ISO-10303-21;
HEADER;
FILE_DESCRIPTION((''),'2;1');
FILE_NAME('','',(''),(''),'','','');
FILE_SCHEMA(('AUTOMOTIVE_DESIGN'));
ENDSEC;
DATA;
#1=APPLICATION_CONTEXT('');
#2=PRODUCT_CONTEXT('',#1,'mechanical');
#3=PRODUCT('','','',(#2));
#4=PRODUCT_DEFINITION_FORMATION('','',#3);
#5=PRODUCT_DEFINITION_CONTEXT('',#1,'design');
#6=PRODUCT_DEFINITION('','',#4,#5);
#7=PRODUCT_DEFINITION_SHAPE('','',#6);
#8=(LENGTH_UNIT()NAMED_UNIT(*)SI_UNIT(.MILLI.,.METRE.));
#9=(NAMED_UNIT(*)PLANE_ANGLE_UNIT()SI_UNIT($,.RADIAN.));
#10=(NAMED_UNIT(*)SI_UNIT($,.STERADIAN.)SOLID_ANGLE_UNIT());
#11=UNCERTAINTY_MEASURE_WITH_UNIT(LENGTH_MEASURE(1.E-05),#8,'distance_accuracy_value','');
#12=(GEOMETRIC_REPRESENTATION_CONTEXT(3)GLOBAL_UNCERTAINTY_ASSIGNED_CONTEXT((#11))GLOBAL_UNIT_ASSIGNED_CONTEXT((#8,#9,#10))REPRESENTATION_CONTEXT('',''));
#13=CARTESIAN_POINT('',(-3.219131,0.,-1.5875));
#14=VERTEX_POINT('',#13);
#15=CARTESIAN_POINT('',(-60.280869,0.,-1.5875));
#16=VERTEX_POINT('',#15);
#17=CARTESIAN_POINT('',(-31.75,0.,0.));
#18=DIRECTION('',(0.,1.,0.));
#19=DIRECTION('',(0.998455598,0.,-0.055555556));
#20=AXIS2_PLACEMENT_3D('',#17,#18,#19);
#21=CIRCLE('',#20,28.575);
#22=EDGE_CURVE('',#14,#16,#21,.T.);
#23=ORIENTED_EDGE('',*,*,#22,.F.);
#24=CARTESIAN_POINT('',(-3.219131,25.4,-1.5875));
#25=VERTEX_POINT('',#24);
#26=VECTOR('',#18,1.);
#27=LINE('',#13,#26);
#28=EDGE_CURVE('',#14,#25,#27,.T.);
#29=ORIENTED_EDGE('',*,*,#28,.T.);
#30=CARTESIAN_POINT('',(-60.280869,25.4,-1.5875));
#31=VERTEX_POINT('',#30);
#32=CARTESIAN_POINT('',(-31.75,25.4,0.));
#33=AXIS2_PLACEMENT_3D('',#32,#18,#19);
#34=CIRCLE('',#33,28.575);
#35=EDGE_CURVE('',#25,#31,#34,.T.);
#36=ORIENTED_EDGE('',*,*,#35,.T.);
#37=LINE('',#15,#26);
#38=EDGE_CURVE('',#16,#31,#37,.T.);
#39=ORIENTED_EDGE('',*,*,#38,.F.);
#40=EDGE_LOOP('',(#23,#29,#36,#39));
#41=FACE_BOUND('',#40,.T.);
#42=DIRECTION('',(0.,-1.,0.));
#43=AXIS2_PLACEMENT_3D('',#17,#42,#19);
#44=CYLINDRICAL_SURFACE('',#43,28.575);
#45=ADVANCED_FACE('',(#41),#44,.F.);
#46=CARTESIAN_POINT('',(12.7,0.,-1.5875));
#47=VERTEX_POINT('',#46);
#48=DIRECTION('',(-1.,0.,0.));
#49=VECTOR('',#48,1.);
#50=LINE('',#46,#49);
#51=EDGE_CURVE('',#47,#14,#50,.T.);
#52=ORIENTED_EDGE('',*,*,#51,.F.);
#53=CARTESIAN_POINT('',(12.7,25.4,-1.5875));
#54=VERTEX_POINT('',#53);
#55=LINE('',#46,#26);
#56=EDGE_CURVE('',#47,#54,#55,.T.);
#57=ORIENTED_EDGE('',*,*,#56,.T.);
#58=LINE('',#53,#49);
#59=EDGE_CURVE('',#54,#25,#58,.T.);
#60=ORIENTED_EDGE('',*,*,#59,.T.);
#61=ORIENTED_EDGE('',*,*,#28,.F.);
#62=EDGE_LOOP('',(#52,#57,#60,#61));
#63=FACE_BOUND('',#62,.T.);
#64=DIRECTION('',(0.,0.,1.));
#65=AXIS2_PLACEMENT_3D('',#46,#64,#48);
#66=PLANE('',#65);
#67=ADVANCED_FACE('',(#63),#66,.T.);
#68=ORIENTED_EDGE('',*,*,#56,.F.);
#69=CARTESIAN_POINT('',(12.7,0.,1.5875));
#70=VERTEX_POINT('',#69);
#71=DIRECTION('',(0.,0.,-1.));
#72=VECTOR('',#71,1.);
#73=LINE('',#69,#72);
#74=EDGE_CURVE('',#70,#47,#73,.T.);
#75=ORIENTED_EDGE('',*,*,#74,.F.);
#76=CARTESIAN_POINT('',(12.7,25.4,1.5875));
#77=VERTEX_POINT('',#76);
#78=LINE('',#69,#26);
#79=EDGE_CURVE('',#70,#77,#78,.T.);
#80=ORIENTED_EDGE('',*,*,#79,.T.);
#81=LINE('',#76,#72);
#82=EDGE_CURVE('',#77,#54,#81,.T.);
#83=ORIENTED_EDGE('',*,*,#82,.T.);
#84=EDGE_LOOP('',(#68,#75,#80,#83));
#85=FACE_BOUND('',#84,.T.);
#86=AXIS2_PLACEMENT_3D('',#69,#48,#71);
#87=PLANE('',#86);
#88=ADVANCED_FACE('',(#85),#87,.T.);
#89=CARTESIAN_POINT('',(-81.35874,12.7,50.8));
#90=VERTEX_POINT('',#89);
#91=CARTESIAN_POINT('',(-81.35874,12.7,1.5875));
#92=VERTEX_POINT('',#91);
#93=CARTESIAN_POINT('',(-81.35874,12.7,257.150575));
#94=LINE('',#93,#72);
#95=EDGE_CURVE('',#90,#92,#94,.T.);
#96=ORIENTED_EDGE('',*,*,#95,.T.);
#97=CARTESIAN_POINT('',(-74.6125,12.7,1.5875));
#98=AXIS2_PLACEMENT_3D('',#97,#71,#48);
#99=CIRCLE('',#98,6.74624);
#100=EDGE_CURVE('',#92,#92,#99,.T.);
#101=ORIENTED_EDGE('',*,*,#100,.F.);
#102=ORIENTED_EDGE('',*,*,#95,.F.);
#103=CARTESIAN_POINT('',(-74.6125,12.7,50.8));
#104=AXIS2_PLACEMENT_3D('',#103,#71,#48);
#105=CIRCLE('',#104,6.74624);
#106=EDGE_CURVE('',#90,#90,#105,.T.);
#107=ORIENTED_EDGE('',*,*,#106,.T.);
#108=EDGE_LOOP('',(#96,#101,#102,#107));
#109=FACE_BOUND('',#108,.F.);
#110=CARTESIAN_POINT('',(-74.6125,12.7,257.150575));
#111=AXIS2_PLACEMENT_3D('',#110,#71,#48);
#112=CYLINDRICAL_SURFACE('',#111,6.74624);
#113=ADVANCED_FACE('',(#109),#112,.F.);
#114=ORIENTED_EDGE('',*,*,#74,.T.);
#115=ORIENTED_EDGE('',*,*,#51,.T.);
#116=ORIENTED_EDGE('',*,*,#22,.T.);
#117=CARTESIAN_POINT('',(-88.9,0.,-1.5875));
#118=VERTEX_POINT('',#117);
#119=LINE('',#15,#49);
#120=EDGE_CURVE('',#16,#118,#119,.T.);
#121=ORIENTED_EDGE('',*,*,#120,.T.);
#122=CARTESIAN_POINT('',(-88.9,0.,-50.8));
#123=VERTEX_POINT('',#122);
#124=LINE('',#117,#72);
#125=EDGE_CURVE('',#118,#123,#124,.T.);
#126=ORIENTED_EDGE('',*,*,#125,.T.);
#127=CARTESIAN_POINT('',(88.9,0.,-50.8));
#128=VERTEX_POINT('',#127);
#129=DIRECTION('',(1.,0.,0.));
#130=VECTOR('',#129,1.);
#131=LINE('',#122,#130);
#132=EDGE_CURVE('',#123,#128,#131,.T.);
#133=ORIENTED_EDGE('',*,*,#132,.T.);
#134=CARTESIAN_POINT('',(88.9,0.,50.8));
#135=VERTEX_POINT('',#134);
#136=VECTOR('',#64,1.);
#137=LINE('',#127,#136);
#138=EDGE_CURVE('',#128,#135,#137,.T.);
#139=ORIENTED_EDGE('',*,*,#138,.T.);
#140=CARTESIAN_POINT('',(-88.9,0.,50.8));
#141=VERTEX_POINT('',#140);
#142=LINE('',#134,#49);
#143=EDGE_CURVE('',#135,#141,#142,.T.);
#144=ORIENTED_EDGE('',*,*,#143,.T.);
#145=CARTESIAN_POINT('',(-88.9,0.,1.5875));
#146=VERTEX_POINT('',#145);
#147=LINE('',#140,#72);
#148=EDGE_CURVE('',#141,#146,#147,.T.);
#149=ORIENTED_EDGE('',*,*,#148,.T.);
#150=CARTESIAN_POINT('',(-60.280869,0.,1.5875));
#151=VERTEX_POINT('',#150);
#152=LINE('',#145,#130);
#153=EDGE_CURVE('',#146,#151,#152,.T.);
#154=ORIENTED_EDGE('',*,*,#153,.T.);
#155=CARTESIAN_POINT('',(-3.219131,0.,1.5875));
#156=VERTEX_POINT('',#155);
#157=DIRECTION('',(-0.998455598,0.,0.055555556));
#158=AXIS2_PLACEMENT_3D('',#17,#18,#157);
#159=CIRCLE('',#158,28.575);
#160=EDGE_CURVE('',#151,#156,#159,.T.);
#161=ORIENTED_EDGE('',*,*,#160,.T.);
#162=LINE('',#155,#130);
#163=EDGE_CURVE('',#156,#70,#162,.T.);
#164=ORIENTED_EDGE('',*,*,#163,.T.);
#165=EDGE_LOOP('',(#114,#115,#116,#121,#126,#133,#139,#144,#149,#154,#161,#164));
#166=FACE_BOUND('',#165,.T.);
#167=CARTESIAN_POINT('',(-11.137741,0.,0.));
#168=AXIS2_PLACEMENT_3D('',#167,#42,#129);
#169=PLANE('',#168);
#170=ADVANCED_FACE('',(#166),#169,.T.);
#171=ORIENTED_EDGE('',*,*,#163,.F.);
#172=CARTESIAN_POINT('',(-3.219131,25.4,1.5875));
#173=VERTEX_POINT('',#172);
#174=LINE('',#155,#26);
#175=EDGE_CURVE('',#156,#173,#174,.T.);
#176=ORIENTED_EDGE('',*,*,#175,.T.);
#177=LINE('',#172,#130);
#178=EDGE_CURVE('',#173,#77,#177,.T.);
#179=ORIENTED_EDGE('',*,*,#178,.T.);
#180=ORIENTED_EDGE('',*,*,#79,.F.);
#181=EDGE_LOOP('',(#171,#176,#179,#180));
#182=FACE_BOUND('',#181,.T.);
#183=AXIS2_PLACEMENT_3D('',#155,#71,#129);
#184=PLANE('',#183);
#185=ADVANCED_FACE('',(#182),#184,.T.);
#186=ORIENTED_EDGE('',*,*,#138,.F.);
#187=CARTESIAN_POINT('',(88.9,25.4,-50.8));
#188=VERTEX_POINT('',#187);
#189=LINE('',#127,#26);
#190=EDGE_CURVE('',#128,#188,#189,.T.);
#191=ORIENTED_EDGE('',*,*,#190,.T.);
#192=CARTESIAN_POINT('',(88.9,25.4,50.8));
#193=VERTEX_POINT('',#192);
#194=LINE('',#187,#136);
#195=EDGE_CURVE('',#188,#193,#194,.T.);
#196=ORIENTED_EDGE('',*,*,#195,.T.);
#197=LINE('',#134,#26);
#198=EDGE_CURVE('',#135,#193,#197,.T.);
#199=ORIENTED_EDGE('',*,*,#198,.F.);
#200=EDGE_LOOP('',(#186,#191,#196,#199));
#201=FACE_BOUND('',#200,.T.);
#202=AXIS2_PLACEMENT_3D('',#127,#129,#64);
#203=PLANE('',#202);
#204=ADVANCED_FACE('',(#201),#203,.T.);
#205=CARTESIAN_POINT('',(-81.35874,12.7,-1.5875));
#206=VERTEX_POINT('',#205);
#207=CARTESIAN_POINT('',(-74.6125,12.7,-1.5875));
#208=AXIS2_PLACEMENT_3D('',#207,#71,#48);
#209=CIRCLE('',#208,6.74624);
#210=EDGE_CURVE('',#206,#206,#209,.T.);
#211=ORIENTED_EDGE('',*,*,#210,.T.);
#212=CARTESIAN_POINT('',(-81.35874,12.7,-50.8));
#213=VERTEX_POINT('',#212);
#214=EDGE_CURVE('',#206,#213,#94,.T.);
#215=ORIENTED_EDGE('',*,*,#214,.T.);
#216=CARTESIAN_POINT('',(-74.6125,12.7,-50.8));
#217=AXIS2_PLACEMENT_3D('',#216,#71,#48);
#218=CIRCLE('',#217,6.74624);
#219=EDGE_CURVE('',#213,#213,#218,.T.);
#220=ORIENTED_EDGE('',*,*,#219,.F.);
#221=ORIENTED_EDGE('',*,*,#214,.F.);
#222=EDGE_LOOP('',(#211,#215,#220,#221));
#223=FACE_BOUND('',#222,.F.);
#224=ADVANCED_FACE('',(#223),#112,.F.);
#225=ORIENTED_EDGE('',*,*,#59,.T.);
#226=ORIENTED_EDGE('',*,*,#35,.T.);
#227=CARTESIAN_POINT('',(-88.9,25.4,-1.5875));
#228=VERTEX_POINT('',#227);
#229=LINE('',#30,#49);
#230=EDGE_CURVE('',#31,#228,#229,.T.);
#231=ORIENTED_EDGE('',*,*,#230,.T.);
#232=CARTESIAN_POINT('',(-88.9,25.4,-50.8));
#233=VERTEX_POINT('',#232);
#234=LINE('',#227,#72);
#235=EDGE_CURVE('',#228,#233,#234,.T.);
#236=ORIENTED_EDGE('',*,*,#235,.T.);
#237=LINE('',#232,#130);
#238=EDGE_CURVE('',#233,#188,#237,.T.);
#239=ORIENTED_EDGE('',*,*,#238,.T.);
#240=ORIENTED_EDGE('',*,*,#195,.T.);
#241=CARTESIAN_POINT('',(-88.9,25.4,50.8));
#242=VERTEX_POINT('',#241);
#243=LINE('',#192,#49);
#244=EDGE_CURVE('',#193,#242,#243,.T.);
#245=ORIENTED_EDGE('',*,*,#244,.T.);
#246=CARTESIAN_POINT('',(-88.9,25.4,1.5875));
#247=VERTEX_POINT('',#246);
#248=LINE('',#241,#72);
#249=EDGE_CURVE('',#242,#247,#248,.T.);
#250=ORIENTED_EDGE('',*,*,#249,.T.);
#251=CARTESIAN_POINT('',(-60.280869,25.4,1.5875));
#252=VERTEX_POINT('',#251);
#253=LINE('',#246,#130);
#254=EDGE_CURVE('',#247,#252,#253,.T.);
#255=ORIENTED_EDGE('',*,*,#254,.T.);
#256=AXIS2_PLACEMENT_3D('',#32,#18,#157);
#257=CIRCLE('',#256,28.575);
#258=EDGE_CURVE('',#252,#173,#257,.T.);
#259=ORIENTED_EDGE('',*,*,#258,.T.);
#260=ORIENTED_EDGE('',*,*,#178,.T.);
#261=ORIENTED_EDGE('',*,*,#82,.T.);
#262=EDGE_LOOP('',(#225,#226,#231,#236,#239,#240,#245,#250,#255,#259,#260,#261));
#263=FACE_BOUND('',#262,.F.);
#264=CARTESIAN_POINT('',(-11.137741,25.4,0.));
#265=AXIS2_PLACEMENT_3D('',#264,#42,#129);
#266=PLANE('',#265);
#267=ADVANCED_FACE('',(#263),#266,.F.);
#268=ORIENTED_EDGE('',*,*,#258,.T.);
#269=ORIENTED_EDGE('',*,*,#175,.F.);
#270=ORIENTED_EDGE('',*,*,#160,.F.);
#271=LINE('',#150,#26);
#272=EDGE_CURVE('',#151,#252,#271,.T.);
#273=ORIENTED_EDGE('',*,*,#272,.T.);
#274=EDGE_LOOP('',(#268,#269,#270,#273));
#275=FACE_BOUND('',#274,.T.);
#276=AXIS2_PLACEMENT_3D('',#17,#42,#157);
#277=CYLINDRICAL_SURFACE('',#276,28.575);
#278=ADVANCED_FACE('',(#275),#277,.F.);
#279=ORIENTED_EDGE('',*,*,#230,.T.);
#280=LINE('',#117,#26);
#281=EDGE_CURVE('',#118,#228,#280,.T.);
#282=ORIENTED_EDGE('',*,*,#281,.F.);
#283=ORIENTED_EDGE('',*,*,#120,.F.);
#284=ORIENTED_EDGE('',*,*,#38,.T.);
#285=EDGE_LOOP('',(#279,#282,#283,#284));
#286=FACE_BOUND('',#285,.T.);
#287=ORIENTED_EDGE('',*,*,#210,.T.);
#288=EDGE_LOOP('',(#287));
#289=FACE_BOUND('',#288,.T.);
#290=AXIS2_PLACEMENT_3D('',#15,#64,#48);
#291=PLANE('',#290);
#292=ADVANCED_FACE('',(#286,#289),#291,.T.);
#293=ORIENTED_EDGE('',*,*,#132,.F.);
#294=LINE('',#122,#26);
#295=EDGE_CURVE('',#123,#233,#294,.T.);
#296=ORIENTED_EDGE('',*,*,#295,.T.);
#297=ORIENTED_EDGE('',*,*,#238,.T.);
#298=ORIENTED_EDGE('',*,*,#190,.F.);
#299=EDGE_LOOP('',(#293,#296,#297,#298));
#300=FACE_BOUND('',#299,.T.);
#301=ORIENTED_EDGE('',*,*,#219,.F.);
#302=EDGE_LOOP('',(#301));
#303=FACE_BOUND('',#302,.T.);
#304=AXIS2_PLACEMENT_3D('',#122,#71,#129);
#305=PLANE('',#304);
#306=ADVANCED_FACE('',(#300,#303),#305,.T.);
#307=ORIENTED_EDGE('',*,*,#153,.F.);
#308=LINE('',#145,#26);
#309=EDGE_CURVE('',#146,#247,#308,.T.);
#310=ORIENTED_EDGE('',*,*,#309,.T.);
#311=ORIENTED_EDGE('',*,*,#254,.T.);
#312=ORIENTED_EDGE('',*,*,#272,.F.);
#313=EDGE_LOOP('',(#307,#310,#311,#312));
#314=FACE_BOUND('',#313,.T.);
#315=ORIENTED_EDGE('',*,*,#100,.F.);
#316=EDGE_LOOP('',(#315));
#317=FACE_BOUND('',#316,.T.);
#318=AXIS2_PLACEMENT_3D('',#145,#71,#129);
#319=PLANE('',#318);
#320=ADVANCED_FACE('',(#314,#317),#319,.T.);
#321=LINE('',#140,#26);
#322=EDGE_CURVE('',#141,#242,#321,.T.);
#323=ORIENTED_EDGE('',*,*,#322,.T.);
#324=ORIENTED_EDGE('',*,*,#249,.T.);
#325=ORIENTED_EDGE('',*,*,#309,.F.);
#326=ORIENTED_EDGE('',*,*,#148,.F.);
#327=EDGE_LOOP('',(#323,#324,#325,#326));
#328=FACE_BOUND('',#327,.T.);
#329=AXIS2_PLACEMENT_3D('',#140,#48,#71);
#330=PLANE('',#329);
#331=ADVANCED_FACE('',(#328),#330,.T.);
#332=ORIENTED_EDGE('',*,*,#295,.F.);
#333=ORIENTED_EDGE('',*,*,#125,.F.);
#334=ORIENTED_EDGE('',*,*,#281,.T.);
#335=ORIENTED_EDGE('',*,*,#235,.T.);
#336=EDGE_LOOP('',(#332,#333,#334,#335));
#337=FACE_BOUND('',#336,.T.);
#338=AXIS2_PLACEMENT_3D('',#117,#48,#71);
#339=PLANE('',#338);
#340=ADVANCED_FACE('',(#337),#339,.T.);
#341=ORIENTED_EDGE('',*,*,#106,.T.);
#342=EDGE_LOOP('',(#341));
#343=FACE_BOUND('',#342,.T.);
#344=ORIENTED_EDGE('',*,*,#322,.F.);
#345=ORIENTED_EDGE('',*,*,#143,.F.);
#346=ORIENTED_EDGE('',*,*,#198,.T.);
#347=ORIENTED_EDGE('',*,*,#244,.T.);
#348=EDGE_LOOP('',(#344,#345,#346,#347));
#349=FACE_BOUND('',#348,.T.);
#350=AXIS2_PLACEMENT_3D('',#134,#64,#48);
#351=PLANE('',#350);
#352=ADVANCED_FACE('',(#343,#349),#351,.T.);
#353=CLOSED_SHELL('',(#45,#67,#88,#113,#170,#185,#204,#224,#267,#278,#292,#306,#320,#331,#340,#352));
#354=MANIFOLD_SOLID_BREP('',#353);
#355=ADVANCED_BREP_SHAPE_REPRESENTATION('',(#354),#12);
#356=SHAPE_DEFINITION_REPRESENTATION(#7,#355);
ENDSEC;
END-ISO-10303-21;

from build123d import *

# Parameters (mm, degrees)
F1_DEPTH = 25.4
F3_D     = 13.49248


with BuildPart() as f1:
    # F0 (on Front) → F1 (new body)
    with BuildSketch(Plane.XZ):
        with BuildLine():
            Line((-88.9, -1.5875), (-88.9, -50.8))
            Line((-88.9, -50.8), (88.9, -50.8))
            Line((88.9, -50.8), (88.9, 50.8))
            Line((88.9, 50.8), (-88.9, 50.8))
            Line((-88.9, 50.8), (-88.9, 1.5875))
            Line((-88.9, 1.5875), (-60.2808686995, 1.5875))
            ThreePointArc((-60.2808686995, 1.5875), (-31.75, 28.575), (-3.2191313005, 1.5875))
            Line((-3.2191313005, 1.5875), (12.7, 1.5875))
            Line((12.7, 1.5875), (12.7, 0))
            Line((12.7, 0), (12.7, -1.5875))
            Line((12.7, -1.5875), (-3.2191313005, -1.5875))
            ThreePointArc((-3.2191313005, -1.5875), (-31.75, -28.575), (-60.2808686995, -1.5875))
            Line((-60.2808686995, -1.5875), (-88.9, -1.5875))
        make_face()
    extrude(amount=-F1_DEPTH)

    # F3 (through all)
    with Locations(Plane.XY.offset(50.8)):
        with Locations((-74.6125, 12.7)):
            Hole(F3_D / 2)


solid = f1.part
